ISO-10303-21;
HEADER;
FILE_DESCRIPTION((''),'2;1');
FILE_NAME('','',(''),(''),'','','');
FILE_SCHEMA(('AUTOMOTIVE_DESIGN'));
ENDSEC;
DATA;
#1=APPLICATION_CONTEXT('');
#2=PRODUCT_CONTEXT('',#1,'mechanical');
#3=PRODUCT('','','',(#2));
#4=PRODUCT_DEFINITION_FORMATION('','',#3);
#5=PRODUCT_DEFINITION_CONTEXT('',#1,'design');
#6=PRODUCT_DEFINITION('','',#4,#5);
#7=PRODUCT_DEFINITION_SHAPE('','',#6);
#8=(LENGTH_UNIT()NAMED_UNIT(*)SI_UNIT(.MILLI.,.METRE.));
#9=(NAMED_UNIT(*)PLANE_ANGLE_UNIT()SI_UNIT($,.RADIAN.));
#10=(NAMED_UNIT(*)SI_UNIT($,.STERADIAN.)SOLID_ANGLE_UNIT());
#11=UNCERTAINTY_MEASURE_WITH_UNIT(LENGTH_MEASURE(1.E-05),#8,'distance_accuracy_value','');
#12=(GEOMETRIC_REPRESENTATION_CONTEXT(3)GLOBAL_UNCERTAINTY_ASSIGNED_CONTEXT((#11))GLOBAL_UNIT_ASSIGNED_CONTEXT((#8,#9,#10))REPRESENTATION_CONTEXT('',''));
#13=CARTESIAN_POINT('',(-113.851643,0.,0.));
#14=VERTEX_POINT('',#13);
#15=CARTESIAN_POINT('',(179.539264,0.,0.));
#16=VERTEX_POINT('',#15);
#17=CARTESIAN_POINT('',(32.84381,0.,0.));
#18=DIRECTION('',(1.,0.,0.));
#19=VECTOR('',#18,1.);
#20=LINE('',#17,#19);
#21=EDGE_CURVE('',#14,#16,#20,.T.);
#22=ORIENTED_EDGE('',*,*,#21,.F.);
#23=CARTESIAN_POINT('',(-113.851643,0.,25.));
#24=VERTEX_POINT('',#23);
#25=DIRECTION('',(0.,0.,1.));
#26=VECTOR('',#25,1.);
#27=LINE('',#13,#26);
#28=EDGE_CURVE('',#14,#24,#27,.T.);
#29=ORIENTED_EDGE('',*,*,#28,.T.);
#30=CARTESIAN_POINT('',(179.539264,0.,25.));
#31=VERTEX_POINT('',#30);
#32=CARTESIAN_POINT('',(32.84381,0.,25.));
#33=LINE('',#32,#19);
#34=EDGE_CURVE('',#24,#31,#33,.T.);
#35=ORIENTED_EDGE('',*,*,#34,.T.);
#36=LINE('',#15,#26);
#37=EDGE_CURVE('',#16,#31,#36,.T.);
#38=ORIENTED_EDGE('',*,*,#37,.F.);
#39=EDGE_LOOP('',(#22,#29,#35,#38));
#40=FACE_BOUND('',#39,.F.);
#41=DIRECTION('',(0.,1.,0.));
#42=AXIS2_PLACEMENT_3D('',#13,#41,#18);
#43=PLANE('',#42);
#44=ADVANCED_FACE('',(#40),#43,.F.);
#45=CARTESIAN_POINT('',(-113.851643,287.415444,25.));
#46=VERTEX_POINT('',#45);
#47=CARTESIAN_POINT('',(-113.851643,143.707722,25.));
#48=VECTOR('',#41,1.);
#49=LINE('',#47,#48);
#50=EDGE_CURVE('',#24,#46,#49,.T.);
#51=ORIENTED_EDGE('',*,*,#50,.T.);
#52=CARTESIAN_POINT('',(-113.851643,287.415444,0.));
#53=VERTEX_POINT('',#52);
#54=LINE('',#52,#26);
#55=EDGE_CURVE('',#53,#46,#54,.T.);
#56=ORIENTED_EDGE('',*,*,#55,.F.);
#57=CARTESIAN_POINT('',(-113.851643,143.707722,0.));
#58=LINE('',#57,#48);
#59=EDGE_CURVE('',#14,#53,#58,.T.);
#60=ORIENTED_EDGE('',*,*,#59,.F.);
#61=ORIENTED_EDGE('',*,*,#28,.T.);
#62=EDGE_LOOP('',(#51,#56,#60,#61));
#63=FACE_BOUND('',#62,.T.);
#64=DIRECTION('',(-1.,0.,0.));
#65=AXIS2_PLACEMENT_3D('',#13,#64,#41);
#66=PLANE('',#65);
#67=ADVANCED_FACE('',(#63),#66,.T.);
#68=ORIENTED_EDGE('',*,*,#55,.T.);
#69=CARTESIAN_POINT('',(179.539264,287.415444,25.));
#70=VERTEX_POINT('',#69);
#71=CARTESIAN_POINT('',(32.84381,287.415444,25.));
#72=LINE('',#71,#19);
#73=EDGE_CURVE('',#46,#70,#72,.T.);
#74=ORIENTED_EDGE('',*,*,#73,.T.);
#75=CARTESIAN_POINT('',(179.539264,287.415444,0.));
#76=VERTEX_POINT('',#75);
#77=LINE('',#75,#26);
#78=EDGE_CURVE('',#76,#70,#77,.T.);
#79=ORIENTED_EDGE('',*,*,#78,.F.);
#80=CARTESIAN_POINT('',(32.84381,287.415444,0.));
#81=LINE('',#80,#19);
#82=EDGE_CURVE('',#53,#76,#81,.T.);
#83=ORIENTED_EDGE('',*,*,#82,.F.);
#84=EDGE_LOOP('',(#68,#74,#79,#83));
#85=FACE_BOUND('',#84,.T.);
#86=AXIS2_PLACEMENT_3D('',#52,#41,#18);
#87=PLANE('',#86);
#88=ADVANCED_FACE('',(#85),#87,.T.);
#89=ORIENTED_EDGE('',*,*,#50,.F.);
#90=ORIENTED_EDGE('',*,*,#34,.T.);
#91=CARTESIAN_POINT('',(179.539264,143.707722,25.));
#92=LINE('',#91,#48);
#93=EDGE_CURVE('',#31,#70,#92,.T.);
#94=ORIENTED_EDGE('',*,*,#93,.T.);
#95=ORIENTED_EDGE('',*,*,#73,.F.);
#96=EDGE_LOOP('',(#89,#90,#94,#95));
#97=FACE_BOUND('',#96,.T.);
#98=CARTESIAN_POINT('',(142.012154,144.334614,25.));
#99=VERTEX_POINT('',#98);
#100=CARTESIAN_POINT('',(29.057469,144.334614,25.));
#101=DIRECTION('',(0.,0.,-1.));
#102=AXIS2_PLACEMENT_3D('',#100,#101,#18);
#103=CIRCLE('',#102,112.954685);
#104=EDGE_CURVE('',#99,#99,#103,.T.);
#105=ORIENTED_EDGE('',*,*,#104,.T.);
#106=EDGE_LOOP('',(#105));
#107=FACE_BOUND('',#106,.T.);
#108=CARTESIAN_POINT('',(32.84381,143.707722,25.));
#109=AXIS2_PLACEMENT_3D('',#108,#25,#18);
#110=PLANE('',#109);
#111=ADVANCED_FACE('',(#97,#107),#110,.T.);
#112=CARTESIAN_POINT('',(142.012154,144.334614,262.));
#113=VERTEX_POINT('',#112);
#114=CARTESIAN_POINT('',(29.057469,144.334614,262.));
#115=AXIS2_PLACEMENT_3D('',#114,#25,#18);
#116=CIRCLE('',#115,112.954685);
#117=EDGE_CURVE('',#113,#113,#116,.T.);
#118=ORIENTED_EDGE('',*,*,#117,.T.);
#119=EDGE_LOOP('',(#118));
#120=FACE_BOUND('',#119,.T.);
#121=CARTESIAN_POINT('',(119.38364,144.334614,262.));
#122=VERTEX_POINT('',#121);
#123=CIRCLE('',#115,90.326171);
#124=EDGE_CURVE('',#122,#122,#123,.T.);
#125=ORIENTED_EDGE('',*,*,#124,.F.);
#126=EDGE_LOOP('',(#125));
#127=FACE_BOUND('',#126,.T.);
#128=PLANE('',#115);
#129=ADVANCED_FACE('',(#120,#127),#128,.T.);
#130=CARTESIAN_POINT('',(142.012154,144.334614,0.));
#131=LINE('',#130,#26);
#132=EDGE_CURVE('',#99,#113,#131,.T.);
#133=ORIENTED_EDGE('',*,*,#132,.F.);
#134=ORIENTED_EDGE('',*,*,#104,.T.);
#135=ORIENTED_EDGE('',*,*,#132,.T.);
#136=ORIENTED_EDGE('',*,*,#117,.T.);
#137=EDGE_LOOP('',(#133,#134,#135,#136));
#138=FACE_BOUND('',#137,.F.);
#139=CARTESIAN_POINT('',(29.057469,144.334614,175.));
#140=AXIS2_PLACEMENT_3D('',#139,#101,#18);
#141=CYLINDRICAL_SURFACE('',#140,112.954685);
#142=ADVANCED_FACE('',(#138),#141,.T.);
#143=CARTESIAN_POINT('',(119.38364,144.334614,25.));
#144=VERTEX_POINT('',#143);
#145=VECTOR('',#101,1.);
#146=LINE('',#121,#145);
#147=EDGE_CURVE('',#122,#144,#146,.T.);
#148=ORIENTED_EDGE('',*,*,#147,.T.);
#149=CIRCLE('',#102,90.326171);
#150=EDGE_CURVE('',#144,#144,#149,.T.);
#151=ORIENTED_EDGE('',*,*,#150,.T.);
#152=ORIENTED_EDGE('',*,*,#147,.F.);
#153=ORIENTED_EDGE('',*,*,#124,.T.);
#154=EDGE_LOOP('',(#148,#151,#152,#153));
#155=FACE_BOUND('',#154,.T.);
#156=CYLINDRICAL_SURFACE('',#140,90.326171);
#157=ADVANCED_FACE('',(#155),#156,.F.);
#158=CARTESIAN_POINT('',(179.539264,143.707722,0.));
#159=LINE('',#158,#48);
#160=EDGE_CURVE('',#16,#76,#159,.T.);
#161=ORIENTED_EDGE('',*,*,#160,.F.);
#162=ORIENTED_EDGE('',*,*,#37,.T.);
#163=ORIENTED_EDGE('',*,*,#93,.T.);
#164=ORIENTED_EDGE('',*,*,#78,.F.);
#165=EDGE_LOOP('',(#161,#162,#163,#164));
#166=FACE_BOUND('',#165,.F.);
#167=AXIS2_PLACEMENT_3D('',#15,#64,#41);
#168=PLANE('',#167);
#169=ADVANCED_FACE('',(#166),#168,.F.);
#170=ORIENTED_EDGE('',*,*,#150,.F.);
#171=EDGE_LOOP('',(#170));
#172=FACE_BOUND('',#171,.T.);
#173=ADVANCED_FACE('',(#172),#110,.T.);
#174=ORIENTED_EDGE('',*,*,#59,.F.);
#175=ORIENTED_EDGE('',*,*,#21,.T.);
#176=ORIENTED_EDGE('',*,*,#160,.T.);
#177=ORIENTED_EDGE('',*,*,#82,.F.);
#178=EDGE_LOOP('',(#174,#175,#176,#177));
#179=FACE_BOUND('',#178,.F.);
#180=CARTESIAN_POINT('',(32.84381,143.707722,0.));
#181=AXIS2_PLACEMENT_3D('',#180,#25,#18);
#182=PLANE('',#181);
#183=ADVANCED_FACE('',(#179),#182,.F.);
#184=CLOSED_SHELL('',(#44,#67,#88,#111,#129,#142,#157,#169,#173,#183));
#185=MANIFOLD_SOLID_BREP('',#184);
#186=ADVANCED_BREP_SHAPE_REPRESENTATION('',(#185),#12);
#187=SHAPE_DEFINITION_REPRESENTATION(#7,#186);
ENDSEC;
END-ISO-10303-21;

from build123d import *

# Parameters (mm, degrees)
F0_R        = 112.954685
F0_R_2      = 90.326171
F1_DEPTH    = 175
F1_FACE_R   = 112.954685
F1_FACE_R_2 = 90.326171
F2_DEPTH    = 87
F3_W        = 293.390907
F3_H        = 287.415445
F4_DEPTH    = 25


with BuildPart() as f1:
    # F0 (on Top) → F1 (new body)
    with BuildSketch(Plane.XY):
        with Locations((29.057469, 144.334614)):
            Circle(F0_R)
        with Locations((29.057469, 144.334614)):
            Circle(F0_R_2, mode=Mode.SUBTRACT)
    extrude(amount=F1_DEPTH)

    # F1_face (on face) → F2 (join)
    with BuildSketch(Plane(origin=(29.057469, 144.334614, 175), x_dir=(1, 0, 0), z_dir=(0, 0, 1))):
        Circle(F1_FACE_R)
        Circle(F1_FACE_R_2, mode=Mode.SUBTRACT)
    extrude(amount=F2_DEPTH)

    # F3 (on Top) → F4 (join)
    with BuildSketch(Plane.XY):
        with Locations((32.84381, 143.707722)):
            Rectangle(F3_W, F3_H)
    extrude(amount=F4_DEPTH)


solid = f1.part
